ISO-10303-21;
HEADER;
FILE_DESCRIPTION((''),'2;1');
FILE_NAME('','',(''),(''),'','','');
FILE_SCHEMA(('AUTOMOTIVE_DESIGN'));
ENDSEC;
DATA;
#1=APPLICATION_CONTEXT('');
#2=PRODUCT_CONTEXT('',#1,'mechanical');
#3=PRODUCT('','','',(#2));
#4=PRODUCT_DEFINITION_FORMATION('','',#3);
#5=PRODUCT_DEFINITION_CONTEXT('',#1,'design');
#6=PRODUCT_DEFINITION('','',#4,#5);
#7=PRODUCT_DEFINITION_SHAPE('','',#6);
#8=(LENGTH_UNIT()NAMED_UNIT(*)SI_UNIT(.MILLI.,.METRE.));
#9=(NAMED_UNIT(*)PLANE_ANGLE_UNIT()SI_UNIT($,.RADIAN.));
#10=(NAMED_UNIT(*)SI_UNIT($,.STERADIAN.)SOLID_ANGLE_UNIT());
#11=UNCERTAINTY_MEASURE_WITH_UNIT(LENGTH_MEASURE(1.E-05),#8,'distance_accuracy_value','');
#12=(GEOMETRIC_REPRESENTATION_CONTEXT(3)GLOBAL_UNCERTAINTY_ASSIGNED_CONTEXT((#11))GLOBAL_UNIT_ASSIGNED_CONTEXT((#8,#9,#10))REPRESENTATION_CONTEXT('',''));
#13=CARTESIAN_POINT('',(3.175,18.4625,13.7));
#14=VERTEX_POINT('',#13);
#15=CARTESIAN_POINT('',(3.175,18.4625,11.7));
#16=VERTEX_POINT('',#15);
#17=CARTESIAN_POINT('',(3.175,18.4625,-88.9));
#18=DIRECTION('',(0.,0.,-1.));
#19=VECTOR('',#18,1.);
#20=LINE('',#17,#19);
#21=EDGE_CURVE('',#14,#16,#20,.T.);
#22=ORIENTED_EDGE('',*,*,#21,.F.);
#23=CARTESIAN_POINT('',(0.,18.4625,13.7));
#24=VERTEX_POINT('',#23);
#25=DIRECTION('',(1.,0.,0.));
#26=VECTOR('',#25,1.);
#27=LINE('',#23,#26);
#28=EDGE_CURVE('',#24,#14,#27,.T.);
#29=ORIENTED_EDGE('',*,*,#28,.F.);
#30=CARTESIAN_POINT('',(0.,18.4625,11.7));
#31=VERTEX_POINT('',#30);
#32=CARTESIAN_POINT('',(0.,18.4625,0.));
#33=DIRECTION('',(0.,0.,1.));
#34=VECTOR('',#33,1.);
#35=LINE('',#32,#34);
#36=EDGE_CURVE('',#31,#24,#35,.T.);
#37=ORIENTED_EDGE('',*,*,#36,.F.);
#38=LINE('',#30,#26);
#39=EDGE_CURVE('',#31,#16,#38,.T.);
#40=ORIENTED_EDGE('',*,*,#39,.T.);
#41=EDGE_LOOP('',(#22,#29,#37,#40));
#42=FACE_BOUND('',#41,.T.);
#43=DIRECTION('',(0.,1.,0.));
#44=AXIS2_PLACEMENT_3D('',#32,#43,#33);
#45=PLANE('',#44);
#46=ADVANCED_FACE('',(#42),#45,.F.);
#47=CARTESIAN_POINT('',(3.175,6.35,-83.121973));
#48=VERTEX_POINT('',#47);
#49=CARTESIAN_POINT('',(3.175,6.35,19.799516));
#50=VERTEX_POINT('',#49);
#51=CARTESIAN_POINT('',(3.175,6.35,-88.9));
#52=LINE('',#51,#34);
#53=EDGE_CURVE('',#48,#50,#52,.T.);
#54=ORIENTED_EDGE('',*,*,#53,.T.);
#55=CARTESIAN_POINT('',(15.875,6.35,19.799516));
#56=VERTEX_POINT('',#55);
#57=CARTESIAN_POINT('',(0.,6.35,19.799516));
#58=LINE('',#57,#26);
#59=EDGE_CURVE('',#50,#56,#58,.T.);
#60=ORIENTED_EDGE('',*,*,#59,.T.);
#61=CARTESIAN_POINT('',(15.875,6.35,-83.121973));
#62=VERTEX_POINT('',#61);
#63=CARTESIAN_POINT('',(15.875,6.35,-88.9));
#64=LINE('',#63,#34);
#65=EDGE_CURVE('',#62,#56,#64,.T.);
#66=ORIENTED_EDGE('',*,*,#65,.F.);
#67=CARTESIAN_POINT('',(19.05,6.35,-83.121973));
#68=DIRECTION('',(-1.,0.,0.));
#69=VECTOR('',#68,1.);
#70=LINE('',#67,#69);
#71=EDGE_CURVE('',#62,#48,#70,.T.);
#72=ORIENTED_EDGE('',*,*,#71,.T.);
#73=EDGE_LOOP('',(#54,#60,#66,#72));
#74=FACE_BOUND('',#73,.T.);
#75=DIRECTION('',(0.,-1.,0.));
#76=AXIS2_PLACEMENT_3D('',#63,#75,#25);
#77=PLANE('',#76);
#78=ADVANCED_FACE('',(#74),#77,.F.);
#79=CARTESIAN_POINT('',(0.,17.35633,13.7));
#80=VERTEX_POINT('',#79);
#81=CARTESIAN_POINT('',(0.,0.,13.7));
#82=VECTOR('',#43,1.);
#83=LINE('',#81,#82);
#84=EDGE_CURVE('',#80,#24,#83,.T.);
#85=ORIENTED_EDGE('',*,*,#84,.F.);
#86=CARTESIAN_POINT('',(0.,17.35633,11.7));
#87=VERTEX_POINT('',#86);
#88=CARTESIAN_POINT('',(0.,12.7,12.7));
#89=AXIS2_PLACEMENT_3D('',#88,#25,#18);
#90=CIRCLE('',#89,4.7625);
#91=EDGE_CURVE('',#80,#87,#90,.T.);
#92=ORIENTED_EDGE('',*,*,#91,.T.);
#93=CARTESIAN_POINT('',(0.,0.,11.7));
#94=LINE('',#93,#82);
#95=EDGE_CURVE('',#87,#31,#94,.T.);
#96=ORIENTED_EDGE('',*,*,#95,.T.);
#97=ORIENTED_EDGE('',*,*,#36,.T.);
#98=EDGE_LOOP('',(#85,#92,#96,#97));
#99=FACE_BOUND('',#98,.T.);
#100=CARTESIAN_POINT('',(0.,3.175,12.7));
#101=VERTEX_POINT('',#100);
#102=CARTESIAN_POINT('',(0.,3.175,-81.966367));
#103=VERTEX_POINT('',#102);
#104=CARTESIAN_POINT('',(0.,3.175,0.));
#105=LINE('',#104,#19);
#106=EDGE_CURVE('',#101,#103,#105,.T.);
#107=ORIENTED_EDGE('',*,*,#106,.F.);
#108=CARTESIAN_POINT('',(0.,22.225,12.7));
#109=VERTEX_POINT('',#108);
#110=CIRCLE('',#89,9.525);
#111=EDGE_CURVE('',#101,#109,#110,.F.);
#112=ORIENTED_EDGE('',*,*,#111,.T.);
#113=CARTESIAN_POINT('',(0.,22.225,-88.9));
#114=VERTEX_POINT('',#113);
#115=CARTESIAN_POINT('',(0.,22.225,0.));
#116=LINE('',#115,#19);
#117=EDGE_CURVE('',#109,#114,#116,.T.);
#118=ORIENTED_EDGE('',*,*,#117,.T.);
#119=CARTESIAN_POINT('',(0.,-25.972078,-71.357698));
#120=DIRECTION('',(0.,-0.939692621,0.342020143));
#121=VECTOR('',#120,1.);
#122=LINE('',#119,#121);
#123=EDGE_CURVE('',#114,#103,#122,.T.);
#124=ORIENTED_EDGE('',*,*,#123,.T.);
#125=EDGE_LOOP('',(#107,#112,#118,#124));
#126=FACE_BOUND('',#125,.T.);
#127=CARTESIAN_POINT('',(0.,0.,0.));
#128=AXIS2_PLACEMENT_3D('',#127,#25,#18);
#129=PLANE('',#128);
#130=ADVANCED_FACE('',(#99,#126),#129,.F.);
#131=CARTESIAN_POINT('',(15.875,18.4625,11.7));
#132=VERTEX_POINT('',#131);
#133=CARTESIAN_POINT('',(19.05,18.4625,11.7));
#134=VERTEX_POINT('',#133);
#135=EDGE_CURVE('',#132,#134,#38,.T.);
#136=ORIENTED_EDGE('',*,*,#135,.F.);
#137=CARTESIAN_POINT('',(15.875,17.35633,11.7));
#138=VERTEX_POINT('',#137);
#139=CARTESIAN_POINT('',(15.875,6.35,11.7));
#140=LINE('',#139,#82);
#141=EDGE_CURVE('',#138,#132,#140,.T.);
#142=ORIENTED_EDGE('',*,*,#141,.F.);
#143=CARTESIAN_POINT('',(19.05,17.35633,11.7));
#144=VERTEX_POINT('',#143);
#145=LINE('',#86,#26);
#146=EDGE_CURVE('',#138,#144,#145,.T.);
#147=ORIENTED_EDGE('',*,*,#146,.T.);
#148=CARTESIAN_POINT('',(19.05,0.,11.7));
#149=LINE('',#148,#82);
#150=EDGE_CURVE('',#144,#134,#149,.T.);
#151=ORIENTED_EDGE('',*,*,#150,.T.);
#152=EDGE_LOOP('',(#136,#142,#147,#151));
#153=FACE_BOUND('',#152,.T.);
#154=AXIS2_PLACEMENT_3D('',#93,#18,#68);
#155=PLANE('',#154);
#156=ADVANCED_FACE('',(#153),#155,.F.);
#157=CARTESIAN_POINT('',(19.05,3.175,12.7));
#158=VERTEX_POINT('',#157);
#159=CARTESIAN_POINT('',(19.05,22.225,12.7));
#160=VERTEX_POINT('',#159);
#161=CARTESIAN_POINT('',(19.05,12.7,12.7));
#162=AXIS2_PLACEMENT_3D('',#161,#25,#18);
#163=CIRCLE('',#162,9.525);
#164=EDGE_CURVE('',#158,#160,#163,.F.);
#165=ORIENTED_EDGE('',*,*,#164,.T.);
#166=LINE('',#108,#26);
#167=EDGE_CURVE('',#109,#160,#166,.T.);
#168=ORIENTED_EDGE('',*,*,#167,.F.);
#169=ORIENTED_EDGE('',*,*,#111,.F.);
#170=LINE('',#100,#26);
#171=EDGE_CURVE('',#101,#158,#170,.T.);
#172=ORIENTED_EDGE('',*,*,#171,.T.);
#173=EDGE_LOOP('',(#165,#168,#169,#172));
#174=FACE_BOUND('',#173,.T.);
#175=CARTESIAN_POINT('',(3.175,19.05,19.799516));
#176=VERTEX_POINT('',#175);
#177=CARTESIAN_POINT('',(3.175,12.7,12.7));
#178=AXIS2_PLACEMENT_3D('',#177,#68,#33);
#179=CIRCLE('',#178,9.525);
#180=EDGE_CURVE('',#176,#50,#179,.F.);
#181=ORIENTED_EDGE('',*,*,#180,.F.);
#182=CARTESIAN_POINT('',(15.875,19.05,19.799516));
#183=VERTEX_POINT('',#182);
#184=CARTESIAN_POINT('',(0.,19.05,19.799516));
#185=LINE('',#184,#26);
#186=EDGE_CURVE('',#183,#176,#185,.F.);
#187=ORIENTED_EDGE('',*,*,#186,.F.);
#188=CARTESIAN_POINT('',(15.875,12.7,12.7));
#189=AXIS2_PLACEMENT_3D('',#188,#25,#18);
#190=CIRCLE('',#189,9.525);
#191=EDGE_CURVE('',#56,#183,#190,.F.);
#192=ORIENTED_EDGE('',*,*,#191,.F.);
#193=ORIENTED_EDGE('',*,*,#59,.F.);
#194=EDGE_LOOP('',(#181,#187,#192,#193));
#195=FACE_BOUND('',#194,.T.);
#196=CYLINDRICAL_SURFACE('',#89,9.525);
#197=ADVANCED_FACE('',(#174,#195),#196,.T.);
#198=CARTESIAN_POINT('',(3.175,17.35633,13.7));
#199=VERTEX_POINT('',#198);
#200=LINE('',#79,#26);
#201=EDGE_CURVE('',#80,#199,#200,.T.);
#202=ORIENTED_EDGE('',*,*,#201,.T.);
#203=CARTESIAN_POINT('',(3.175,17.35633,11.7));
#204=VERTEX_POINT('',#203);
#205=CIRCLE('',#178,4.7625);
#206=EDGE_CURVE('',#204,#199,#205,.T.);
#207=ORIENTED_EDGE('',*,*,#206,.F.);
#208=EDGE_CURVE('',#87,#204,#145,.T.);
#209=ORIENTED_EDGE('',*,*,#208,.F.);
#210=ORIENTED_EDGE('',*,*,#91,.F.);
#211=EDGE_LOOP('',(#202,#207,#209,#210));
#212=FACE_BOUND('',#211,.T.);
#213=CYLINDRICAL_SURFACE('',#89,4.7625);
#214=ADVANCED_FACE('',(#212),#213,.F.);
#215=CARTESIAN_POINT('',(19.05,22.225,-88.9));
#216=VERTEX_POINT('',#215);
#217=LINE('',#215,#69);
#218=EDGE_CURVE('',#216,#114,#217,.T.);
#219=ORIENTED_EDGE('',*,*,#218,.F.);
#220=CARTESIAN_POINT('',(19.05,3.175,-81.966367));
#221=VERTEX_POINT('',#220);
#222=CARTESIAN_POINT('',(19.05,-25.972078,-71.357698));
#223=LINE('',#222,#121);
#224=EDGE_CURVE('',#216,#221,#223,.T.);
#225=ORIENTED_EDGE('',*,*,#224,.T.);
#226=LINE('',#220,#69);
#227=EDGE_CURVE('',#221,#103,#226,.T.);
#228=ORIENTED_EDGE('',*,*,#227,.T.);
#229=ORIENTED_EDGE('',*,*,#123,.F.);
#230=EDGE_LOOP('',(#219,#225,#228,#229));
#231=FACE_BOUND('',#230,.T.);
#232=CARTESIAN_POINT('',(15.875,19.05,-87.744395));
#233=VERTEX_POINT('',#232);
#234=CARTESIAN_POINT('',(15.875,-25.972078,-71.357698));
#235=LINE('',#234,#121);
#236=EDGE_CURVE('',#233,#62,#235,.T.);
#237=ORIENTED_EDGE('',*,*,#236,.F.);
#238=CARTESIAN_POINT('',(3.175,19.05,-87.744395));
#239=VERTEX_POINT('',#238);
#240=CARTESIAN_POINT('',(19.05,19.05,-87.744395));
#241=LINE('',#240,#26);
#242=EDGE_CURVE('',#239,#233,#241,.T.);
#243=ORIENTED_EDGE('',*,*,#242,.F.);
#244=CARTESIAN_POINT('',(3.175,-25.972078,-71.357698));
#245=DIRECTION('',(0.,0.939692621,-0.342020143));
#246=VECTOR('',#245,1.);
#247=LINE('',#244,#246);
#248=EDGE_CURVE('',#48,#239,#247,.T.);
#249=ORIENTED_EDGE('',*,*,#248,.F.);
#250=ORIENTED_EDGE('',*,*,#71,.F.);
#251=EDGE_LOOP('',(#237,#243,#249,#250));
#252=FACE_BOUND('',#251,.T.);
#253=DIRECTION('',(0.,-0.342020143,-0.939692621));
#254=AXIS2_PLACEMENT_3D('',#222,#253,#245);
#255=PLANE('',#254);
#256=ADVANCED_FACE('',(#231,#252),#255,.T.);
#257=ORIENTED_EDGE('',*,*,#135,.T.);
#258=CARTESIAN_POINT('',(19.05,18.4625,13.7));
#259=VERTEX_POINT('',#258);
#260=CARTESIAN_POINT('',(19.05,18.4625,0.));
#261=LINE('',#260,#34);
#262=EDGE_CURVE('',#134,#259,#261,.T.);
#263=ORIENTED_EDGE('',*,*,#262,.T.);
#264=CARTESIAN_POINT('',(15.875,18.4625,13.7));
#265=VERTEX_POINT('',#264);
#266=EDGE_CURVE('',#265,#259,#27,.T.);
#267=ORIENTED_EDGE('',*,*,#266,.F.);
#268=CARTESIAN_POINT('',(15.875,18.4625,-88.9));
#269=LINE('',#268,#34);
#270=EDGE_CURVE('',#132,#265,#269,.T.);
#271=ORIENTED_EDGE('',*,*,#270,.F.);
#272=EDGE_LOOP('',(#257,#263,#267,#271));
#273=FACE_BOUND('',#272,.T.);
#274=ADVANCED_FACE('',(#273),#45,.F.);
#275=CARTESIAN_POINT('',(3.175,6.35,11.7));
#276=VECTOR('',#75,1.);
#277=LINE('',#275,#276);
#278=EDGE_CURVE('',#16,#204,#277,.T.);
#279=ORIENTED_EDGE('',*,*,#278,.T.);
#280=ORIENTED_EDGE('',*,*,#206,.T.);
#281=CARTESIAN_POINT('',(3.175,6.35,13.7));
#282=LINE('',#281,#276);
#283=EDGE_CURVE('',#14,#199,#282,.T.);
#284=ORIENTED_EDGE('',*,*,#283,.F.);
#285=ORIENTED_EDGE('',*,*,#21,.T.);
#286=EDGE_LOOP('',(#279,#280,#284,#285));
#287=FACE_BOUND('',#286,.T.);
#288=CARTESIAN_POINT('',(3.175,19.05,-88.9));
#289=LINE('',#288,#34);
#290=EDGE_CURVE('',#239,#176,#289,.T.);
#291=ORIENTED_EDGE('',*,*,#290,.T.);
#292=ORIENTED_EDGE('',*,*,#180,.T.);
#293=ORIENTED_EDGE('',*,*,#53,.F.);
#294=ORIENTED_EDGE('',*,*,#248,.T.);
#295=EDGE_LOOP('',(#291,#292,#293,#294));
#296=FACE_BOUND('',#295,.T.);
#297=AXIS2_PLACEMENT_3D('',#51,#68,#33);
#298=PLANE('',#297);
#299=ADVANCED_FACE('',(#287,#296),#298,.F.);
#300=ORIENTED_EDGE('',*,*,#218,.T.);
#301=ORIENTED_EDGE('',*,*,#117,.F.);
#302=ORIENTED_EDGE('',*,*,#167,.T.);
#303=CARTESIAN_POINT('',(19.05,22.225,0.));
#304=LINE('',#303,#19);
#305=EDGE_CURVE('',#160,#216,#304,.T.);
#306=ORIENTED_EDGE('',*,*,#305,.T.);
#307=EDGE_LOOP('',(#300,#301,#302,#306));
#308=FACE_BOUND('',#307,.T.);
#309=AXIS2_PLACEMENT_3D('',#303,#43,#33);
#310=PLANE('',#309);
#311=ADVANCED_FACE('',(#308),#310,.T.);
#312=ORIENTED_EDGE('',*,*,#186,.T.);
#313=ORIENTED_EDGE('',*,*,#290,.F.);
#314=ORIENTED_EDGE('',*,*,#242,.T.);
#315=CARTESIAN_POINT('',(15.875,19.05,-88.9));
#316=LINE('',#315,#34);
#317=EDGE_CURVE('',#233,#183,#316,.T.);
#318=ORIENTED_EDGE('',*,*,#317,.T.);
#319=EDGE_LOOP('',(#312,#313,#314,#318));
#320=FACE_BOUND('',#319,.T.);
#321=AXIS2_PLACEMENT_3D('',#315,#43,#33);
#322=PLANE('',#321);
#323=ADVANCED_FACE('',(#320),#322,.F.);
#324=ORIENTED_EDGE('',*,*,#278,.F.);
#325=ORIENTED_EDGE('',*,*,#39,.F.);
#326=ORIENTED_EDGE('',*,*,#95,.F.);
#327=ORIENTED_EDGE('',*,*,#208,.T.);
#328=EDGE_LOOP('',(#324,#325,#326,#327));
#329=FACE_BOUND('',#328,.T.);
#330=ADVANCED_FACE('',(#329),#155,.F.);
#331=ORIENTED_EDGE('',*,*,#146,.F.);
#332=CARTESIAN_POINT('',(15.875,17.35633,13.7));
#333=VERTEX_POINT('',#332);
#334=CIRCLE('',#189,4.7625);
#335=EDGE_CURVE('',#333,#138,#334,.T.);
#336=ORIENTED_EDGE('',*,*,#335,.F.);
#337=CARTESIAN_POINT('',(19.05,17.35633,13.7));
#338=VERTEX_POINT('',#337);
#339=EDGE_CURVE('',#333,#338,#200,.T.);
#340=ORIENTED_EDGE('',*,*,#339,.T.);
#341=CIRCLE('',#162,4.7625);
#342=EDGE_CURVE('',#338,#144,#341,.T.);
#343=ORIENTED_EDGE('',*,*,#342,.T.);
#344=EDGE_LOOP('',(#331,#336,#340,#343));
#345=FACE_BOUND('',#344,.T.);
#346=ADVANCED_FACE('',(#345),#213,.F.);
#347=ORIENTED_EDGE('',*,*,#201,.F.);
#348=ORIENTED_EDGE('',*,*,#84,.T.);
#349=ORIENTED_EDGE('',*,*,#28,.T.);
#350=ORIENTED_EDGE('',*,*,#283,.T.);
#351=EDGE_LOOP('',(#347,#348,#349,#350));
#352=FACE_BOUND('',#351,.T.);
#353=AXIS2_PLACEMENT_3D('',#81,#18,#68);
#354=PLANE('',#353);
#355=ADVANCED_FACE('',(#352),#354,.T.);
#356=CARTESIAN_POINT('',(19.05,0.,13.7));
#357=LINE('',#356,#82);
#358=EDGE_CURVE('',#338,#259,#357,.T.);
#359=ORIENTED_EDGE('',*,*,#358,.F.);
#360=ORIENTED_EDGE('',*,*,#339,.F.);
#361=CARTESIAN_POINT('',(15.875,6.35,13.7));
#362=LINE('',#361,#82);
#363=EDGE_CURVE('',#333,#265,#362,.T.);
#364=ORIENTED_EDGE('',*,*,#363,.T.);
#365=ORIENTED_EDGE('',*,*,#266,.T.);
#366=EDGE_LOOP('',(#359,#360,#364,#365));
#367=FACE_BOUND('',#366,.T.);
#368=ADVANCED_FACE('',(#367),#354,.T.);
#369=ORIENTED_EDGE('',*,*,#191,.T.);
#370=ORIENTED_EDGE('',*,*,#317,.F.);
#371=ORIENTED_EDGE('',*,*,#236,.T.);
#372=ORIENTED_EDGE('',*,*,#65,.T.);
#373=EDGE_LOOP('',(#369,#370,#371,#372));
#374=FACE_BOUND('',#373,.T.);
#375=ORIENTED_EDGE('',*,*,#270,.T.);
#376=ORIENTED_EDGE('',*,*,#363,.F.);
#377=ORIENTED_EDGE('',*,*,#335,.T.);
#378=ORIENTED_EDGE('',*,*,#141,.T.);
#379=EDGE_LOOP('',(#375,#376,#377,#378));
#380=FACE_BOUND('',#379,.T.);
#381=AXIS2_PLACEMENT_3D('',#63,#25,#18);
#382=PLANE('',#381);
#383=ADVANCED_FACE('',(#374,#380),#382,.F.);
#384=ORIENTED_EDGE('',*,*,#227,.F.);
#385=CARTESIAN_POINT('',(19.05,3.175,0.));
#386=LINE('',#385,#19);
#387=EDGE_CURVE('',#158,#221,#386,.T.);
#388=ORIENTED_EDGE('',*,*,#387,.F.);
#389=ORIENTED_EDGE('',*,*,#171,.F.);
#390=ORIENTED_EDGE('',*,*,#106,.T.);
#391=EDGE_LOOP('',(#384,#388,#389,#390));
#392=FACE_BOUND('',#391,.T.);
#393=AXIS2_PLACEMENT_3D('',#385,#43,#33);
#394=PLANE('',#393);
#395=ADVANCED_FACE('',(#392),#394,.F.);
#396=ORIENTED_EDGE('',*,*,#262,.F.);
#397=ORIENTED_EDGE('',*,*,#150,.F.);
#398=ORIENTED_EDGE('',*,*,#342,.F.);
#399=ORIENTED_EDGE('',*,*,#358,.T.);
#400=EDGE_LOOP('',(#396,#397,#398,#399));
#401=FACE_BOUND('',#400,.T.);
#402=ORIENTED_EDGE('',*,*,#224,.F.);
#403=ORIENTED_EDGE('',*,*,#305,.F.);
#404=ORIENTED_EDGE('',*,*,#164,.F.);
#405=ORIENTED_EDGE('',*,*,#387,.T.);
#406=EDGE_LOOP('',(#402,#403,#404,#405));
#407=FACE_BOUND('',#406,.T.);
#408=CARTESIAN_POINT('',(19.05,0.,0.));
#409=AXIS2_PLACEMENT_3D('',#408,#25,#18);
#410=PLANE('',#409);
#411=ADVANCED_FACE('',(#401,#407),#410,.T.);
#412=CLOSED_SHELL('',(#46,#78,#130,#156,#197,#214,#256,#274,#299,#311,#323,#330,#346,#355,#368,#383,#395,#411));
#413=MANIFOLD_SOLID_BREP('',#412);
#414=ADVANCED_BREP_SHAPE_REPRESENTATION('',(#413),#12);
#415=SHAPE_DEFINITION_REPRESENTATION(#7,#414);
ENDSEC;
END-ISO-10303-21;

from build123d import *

# Parameters (mm, degrees)
BOSS_EXTRUDE1_DEPTH = 19.05
SKETCH2_W           = 12.7
SKETCH2_H           = 12.7
CUT_EXTRUDE3_DEPTH  = 106.732743864
SKETCH3_W           = 19.05
SKETCH3_H           = 19.05
SKETCH3_W_2         = 12.7
SKETCH3_H_2         = 12.7
BOSS_EXTRUDE2_DEPTH = 12.7
CUT_EXTRUDE5_DEPTH  = 19.05


with BuildPart() as part:
    # Sketch1 → Boss-Extrude1 (new body)
    with BuildSketch(Plane(origin=(0, 0, 0), x_dir=(0, 0, -1), z_dir=(1, 0, 0))):
        Polygon((-12.7, 22.225), (81.966367037, 22.225), (88.9, 22.225), (81.966367037, 3.175), (-12.7, 3.175), align=None)
    extrude(amount=BOSS_EXTRUDE1_DEPTH)

    # Sketch2 → Cut-Extrude3 (cut, through all)
    with BuildSketch(Plane.XY.offset(12.7)):
        with Locations((9.525, 12.7)):
            Rectangle(SKETCH2_W, SKETCH2_H)
    extrude(amount=-CUT_EXTRUDE3_DEPTH, mode=Mode.SUBTRACT)

    # Sketch3 → Boss-Extrude2 (add)
    with BuildSketch(Plane.XY.offset(12.7)):
        with Locations((9.525, 12.7)):
            Rectangle(SKETCH3_W, SKETCH3_H)
        with Locations((9.525, 12.7)):
            Rectangle(SKETCH3_W_2, SKETCH3_H_2, mode=Mode.SUBTRACT)
    extrude(amount=BOSS_EXTRUDE2_DEPTH)

    # Sketch4 → Cut-Extrude5 (cut)
    with BuildSketch(Plane(origin=(19.05, 0, 0), x_dir=(0, 0, -1), z_dir=(1, 0, 0))):
        with BuildLine():
            Line((-11.7, 17.356329697), (-11.7, 16.4625))
            Line((-11.7, 16.4625), (-13.7, 16.4625))
            Line((-13.7, 16.4625), (-13.7, 17.356329697))
            ThreePointArc((-13.7, 17.356329697), (-15.693234559, 8.995684527), (-7.9375, 12.7))
            ThreePointArc((-7.9375, 12.7), (-8.995684527, 15.693234559), (-11.7, 17.356329697))
        make_face()
        with BuildLine():
            Line((-13.7, 16.4625), (-11.7, 16.4625))
            Line((-11.7, 16.4625), (-11.7, 17.356329697))
            ThreePointArc((-11.7, 17.356329697), (-12.7, 17.4625), (-13.7, 17.356329697))
            Line((-13.7, 17.356329697), (-13.7, 16.4625))
        make_face()
        with BuildLine():
            ThreePointArc((-13.7, 17.356329697), (-12.7, 17.4625), (-11.7, 17.356329697))
            Line((-11.7, 17.356329697), (-11.7, 18.4625))
            Line((-11.7, 18.4625), (-13.7, 18.4625))
            Line((-13.7, 18.4625), (-13.7, 17.356329697))
        make_face()
        with BuildLine():
            Line((-25.4, 3.175), (-12.7, 3.175))
            ThreePointArc((-12.7, 3.175), (-22.225, 12.7), (-12.7, 22.225))
            Line((-12.7, 22.225), (-25.4, 22.225))
            Line((-25.4, 22.225), (-25.4, 3.175))
        make_face()
    extrude(amount=-CUT_EXTRUDE5_DEPTH, mode=Mode.SUBTRACT)


solid = part.part
